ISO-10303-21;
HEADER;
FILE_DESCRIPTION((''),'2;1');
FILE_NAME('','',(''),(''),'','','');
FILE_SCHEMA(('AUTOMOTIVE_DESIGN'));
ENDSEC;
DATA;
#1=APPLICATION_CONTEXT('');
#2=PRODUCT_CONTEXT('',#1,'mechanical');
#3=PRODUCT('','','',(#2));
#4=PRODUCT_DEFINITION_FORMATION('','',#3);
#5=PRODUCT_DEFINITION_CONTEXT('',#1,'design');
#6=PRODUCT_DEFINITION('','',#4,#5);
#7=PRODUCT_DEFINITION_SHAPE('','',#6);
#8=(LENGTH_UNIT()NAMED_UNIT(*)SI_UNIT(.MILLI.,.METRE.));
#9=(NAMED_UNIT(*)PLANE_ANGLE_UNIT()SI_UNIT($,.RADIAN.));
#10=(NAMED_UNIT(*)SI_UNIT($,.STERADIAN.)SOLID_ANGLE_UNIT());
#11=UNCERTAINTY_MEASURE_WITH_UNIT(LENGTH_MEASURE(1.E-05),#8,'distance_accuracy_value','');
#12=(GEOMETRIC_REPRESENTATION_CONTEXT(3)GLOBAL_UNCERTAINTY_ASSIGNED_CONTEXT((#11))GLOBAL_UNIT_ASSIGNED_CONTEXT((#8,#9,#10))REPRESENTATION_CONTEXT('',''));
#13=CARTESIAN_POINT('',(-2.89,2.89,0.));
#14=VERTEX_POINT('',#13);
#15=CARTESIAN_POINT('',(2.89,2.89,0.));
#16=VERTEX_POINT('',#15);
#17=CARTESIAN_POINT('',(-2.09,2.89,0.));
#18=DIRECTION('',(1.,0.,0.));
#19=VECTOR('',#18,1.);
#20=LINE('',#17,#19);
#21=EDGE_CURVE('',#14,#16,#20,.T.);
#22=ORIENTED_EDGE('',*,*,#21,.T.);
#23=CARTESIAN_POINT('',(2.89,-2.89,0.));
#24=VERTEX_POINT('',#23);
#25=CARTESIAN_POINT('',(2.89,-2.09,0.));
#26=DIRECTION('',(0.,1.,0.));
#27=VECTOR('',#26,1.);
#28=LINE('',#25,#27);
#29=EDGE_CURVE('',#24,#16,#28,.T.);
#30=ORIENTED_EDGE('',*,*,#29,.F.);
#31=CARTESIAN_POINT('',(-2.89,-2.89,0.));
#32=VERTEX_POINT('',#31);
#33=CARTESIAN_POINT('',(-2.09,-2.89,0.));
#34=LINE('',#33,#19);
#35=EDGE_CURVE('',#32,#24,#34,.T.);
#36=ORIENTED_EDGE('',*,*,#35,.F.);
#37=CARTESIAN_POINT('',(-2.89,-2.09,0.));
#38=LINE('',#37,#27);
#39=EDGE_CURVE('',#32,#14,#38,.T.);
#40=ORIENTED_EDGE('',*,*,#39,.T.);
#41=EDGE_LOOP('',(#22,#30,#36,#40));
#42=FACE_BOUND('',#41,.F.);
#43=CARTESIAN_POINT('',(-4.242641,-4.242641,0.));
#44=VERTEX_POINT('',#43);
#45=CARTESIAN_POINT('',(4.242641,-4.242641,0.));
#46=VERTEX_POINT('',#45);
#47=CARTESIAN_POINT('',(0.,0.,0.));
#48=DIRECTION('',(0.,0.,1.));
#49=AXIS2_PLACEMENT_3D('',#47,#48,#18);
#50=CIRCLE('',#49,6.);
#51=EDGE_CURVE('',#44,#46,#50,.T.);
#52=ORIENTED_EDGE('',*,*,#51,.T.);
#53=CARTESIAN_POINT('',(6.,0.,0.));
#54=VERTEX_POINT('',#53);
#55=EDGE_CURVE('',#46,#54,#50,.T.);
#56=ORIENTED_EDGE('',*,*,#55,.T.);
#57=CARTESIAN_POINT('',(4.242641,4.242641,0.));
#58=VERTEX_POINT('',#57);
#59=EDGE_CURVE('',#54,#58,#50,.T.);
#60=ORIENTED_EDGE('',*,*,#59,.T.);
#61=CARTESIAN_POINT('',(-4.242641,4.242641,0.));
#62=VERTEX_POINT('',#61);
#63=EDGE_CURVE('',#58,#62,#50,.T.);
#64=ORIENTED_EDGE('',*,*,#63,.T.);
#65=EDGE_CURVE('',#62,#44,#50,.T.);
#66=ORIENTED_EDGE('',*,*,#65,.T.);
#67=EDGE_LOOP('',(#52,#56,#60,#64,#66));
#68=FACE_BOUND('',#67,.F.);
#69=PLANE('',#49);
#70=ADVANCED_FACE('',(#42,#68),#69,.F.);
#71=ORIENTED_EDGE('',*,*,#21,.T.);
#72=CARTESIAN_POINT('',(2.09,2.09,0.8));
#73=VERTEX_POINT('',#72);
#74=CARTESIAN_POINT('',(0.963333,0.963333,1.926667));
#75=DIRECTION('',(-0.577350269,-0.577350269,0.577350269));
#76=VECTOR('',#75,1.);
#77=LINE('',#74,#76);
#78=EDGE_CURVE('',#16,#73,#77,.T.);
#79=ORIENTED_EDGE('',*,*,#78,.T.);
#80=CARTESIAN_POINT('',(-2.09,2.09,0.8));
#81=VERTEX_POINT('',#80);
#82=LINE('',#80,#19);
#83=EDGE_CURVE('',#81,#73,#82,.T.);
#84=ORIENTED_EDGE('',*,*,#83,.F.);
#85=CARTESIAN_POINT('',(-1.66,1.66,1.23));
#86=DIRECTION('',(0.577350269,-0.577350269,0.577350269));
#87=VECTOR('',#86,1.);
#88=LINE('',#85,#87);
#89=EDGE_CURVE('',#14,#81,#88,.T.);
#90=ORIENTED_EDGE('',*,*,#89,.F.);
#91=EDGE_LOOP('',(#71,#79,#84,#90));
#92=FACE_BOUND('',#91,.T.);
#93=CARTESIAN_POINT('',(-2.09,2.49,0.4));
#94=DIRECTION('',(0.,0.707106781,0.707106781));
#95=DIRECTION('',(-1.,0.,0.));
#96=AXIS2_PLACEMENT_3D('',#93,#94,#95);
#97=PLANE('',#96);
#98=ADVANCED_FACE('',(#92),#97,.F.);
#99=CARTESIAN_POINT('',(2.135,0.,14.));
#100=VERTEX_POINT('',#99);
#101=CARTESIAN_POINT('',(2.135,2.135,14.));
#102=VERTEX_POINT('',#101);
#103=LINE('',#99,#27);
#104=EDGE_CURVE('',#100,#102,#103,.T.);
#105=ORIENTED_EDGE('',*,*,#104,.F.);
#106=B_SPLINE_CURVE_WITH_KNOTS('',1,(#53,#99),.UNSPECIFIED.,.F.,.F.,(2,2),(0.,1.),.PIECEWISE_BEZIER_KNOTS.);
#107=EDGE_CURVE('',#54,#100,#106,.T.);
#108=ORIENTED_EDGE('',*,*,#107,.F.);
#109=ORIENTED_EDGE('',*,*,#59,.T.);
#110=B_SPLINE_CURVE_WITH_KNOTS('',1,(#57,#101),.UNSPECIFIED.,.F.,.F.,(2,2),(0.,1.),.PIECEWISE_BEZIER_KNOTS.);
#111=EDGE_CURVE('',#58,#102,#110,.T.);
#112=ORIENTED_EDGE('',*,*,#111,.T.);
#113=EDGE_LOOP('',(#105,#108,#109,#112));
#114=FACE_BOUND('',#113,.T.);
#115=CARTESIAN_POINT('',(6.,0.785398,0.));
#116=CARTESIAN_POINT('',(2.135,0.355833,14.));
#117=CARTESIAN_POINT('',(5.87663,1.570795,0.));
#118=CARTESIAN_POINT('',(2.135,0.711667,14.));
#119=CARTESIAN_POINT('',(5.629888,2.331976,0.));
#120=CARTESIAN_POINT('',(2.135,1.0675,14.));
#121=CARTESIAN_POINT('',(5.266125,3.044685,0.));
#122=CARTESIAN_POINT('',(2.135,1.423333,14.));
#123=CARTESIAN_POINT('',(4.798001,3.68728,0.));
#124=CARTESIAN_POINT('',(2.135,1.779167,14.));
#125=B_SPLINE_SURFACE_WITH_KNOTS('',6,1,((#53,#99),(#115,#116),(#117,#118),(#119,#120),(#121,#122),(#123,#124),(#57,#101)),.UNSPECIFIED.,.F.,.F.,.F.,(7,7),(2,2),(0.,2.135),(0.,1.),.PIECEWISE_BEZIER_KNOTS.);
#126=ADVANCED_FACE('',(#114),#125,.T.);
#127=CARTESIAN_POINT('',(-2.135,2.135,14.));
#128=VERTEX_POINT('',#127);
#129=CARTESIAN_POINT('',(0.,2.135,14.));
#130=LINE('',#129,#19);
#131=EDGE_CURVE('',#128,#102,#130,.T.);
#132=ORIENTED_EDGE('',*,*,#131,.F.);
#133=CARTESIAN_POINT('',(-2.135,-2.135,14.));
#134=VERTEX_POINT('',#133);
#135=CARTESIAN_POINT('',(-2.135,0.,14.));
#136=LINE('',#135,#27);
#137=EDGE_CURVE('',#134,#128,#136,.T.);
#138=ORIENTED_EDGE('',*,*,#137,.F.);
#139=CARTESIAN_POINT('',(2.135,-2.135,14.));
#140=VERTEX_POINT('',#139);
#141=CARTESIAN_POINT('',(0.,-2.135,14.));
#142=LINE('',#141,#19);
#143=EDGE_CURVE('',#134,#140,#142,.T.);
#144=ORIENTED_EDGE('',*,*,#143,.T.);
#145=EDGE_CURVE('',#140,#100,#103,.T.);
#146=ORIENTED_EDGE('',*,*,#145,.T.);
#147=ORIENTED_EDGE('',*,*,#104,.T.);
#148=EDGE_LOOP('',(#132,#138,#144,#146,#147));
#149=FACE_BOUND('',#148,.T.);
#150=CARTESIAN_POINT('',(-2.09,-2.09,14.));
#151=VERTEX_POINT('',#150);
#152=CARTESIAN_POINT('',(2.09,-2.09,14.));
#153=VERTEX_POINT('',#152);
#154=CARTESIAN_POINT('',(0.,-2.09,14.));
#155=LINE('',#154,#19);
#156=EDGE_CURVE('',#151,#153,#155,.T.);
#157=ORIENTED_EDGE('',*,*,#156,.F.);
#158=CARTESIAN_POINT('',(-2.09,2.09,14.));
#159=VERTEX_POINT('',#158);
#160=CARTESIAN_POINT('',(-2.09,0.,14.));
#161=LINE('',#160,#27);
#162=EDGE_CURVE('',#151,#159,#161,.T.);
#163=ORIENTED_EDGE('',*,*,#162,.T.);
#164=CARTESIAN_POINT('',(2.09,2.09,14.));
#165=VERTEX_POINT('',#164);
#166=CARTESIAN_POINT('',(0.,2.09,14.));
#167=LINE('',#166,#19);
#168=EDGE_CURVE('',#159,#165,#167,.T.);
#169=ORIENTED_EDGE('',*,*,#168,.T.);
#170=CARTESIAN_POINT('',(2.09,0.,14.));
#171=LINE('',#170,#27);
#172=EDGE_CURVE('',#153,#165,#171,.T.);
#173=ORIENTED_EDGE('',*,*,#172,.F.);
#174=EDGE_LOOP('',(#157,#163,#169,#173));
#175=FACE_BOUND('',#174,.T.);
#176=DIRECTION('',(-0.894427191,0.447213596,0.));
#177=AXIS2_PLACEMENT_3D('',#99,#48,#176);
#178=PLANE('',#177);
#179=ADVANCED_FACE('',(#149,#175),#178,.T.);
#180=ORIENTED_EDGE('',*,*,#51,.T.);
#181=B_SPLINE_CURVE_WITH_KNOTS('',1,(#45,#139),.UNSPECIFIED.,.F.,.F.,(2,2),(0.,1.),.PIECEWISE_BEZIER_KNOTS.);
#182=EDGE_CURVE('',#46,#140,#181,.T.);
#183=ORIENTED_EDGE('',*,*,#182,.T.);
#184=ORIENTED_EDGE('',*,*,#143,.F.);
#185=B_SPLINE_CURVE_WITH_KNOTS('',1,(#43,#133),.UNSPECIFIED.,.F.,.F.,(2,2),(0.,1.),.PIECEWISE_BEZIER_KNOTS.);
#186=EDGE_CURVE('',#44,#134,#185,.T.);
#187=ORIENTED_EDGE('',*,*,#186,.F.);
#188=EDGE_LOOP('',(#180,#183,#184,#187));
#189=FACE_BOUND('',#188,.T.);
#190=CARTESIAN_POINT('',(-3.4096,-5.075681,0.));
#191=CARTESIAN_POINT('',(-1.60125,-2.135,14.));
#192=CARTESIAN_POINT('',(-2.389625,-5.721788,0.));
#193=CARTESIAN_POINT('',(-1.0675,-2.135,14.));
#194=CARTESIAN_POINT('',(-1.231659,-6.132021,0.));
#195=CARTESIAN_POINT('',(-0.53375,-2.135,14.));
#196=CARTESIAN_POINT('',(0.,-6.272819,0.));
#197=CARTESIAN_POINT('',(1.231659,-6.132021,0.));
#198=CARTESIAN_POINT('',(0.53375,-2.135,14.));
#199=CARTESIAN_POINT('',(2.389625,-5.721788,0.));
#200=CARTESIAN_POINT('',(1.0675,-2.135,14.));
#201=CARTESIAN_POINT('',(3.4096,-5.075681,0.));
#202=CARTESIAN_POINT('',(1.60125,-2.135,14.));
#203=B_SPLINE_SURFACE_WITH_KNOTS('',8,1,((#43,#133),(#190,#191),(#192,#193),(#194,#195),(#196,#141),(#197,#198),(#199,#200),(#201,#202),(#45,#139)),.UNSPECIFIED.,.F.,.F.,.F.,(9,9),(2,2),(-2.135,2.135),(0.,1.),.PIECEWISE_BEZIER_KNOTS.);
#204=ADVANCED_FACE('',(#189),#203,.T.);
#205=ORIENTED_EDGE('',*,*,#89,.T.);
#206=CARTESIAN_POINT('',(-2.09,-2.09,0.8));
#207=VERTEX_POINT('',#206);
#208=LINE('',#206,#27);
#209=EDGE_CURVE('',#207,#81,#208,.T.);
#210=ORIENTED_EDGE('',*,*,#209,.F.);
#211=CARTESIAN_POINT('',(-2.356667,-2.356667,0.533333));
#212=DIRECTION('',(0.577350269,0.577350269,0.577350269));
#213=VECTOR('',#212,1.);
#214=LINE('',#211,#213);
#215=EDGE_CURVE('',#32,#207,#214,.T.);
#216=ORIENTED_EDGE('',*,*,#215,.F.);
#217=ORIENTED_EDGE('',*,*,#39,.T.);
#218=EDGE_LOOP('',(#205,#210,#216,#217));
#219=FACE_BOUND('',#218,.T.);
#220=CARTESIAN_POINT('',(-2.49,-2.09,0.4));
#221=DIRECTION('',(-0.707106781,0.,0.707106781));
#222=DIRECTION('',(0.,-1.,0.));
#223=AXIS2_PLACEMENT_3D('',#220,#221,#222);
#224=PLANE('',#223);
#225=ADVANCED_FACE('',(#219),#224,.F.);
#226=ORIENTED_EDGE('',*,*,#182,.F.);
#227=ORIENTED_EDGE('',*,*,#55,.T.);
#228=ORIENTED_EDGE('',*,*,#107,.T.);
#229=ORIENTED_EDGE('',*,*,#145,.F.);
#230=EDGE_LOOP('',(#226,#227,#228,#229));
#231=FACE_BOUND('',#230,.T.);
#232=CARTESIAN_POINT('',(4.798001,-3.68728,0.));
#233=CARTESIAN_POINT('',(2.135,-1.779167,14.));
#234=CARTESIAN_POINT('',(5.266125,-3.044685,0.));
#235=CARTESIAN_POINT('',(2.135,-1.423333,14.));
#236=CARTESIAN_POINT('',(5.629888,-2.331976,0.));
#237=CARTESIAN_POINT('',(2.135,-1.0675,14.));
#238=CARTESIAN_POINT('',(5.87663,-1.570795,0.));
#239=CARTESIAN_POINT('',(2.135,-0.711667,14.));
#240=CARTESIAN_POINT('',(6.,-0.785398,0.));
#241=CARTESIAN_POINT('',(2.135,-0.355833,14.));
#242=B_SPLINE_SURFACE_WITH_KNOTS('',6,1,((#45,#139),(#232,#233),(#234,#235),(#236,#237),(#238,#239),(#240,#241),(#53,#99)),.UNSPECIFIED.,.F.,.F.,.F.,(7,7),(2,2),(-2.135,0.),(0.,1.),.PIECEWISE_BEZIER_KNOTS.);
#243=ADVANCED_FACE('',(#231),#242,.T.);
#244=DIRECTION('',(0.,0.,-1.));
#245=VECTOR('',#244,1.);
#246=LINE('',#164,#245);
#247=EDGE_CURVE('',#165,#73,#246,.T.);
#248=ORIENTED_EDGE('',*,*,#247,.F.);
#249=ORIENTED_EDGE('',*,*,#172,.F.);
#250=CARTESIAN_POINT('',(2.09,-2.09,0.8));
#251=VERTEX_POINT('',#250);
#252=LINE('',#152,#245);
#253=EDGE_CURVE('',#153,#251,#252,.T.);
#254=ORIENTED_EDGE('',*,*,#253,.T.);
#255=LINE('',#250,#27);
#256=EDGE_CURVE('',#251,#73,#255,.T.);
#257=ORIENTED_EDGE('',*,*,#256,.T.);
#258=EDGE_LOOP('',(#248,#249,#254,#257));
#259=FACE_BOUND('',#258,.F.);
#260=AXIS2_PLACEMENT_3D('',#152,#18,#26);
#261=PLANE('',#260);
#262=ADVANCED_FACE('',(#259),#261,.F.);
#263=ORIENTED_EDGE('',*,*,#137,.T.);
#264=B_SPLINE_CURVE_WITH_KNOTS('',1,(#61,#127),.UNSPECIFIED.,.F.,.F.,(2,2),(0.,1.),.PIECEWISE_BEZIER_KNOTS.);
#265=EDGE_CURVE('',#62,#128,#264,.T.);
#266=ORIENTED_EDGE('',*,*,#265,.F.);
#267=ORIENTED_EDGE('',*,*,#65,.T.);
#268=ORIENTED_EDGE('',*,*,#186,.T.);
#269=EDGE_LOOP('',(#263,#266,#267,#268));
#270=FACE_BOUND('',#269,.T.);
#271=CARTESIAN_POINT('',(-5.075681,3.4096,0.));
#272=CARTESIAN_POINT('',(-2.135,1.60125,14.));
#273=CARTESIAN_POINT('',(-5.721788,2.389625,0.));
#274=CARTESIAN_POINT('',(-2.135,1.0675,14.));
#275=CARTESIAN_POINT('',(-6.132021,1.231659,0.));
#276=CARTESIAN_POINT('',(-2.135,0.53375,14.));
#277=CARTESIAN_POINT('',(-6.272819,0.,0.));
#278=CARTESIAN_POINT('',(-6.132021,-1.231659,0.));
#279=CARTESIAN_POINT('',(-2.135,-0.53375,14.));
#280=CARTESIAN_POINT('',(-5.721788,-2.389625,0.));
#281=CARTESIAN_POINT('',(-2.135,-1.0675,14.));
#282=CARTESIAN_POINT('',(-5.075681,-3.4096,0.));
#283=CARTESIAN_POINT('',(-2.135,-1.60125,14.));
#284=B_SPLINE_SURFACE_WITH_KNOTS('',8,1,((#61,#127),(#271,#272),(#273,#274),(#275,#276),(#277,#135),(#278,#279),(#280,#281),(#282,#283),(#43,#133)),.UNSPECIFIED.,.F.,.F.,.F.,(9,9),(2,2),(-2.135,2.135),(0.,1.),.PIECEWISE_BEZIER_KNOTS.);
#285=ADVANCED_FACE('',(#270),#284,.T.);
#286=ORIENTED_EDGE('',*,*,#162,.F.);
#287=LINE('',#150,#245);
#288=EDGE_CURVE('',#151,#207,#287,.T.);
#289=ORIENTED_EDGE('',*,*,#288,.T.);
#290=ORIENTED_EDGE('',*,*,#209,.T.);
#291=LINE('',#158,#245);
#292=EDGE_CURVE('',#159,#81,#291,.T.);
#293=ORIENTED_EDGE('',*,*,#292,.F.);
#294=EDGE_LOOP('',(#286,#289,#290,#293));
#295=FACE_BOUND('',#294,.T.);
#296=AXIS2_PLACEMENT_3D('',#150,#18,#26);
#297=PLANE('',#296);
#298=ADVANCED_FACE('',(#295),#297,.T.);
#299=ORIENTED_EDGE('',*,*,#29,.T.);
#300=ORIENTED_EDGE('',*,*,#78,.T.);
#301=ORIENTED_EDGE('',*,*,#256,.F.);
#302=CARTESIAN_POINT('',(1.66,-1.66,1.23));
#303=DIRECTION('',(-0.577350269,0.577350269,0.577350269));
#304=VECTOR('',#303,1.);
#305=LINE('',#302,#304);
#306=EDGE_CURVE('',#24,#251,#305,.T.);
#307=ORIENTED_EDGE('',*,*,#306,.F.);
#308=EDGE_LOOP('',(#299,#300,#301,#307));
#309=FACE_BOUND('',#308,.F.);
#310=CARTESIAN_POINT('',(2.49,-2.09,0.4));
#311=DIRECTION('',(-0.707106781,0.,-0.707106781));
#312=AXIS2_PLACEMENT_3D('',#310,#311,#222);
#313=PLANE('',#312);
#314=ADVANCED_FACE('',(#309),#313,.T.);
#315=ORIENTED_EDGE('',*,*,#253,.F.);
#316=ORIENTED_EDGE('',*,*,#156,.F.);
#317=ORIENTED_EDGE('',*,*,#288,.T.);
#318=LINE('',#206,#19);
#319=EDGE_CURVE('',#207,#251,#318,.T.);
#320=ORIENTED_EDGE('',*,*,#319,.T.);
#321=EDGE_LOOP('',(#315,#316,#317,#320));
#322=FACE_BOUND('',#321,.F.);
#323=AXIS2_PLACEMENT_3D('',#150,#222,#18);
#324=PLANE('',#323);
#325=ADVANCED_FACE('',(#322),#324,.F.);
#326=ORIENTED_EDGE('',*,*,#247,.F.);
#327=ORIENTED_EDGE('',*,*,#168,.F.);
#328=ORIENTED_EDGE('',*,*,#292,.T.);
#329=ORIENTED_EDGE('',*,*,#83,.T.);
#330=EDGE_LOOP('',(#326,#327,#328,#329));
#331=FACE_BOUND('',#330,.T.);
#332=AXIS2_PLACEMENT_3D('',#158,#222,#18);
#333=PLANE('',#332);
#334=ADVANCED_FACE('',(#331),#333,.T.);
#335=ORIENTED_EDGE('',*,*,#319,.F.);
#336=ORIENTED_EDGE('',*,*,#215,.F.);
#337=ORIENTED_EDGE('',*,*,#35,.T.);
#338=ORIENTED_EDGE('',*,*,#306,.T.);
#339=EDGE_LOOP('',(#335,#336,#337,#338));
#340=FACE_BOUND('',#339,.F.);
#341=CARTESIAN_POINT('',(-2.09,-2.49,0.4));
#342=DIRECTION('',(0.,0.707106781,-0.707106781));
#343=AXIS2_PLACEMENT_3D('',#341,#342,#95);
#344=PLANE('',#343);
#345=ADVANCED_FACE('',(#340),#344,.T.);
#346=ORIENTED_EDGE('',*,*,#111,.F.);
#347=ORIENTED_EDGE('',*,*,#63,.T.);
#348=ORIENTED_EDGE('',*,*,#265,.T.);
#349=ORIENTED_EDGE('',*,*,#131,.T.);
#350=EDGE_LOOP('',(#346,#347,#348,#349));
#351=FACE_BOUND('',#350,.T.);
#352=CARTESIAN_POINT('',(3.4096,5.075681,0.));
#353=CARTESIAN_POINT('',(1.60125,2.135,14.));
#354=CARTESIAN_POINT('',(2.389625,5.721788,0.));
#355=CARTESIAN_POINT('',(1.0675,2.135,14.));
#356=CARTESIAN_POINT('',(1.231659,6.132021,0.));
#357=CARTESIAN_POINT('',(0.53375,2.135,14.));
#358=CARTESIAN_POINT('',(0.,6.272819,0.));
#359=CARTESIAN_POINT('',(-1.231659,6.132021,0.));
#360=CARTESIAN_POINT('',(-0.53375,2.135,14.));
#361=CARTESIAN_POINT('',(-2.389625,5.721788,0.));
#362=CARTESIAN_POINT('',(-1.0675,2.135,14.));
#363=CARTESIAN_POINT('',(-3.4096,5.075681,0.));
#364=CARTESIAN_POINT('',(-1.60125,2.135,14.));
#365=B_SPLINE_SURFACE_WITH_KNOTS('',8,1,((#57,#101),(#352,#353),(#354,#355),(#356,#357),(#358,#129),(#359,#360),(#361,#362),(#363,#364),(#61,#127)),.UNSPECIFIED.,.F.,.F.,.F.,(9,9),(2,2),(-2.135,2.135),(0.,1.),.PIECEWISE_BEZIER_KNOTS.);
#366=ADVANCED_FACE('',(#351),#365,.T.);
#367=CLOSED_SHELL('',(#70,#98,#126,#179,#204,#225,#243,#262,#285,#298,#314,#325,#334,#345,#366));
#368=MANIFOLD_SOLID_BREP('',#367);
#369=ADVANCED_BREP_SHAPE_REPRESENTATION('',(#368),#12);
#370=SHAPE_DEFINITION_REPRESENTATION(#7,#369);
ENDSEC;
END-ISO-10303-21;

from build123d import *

# Parameters (mm, degrees)
F0_R     = 6
F2_W     = 4.27
F2_H     = 4.27
F4_W     = 4.18
F4_H     = 4.18
F5_DEPTH = 25
F6_SIZE2 = 0.8
F6_SIZE  = 0.8


with BuildPart() as f3:
    # F0 (on Top) → F3 section 0
    with BuildSketch(Plane.XY):
        Circle(F0_R)
    # F2 (on offset) → F3 section 1
    with BuildSketch(Plane.XY.offset(14)):
        Rectangle(F2_W, F2_H)
    loft()

    # F4 (on face) → F5 (cut)
    with BuildSketch(Plane.XY.offset(14)):
        Rectangle(F4_W, F4_H)
    extrude(amount=-F5_DEPTH, mode=Mode.SUBTRACT)

    # F6
    f6_edges = [f3.edges().sort_by_distance(p)[0] for p in [
        (-2.09, 0, 0),
        (0, -2.09, 0),
        (2.09, 0, 0),
        (0, 2.09, 0),
    ]]
    chamfer(f6_edges, length=F6_SIZE, length2=F6_SIZE2)


solid = f3.part
